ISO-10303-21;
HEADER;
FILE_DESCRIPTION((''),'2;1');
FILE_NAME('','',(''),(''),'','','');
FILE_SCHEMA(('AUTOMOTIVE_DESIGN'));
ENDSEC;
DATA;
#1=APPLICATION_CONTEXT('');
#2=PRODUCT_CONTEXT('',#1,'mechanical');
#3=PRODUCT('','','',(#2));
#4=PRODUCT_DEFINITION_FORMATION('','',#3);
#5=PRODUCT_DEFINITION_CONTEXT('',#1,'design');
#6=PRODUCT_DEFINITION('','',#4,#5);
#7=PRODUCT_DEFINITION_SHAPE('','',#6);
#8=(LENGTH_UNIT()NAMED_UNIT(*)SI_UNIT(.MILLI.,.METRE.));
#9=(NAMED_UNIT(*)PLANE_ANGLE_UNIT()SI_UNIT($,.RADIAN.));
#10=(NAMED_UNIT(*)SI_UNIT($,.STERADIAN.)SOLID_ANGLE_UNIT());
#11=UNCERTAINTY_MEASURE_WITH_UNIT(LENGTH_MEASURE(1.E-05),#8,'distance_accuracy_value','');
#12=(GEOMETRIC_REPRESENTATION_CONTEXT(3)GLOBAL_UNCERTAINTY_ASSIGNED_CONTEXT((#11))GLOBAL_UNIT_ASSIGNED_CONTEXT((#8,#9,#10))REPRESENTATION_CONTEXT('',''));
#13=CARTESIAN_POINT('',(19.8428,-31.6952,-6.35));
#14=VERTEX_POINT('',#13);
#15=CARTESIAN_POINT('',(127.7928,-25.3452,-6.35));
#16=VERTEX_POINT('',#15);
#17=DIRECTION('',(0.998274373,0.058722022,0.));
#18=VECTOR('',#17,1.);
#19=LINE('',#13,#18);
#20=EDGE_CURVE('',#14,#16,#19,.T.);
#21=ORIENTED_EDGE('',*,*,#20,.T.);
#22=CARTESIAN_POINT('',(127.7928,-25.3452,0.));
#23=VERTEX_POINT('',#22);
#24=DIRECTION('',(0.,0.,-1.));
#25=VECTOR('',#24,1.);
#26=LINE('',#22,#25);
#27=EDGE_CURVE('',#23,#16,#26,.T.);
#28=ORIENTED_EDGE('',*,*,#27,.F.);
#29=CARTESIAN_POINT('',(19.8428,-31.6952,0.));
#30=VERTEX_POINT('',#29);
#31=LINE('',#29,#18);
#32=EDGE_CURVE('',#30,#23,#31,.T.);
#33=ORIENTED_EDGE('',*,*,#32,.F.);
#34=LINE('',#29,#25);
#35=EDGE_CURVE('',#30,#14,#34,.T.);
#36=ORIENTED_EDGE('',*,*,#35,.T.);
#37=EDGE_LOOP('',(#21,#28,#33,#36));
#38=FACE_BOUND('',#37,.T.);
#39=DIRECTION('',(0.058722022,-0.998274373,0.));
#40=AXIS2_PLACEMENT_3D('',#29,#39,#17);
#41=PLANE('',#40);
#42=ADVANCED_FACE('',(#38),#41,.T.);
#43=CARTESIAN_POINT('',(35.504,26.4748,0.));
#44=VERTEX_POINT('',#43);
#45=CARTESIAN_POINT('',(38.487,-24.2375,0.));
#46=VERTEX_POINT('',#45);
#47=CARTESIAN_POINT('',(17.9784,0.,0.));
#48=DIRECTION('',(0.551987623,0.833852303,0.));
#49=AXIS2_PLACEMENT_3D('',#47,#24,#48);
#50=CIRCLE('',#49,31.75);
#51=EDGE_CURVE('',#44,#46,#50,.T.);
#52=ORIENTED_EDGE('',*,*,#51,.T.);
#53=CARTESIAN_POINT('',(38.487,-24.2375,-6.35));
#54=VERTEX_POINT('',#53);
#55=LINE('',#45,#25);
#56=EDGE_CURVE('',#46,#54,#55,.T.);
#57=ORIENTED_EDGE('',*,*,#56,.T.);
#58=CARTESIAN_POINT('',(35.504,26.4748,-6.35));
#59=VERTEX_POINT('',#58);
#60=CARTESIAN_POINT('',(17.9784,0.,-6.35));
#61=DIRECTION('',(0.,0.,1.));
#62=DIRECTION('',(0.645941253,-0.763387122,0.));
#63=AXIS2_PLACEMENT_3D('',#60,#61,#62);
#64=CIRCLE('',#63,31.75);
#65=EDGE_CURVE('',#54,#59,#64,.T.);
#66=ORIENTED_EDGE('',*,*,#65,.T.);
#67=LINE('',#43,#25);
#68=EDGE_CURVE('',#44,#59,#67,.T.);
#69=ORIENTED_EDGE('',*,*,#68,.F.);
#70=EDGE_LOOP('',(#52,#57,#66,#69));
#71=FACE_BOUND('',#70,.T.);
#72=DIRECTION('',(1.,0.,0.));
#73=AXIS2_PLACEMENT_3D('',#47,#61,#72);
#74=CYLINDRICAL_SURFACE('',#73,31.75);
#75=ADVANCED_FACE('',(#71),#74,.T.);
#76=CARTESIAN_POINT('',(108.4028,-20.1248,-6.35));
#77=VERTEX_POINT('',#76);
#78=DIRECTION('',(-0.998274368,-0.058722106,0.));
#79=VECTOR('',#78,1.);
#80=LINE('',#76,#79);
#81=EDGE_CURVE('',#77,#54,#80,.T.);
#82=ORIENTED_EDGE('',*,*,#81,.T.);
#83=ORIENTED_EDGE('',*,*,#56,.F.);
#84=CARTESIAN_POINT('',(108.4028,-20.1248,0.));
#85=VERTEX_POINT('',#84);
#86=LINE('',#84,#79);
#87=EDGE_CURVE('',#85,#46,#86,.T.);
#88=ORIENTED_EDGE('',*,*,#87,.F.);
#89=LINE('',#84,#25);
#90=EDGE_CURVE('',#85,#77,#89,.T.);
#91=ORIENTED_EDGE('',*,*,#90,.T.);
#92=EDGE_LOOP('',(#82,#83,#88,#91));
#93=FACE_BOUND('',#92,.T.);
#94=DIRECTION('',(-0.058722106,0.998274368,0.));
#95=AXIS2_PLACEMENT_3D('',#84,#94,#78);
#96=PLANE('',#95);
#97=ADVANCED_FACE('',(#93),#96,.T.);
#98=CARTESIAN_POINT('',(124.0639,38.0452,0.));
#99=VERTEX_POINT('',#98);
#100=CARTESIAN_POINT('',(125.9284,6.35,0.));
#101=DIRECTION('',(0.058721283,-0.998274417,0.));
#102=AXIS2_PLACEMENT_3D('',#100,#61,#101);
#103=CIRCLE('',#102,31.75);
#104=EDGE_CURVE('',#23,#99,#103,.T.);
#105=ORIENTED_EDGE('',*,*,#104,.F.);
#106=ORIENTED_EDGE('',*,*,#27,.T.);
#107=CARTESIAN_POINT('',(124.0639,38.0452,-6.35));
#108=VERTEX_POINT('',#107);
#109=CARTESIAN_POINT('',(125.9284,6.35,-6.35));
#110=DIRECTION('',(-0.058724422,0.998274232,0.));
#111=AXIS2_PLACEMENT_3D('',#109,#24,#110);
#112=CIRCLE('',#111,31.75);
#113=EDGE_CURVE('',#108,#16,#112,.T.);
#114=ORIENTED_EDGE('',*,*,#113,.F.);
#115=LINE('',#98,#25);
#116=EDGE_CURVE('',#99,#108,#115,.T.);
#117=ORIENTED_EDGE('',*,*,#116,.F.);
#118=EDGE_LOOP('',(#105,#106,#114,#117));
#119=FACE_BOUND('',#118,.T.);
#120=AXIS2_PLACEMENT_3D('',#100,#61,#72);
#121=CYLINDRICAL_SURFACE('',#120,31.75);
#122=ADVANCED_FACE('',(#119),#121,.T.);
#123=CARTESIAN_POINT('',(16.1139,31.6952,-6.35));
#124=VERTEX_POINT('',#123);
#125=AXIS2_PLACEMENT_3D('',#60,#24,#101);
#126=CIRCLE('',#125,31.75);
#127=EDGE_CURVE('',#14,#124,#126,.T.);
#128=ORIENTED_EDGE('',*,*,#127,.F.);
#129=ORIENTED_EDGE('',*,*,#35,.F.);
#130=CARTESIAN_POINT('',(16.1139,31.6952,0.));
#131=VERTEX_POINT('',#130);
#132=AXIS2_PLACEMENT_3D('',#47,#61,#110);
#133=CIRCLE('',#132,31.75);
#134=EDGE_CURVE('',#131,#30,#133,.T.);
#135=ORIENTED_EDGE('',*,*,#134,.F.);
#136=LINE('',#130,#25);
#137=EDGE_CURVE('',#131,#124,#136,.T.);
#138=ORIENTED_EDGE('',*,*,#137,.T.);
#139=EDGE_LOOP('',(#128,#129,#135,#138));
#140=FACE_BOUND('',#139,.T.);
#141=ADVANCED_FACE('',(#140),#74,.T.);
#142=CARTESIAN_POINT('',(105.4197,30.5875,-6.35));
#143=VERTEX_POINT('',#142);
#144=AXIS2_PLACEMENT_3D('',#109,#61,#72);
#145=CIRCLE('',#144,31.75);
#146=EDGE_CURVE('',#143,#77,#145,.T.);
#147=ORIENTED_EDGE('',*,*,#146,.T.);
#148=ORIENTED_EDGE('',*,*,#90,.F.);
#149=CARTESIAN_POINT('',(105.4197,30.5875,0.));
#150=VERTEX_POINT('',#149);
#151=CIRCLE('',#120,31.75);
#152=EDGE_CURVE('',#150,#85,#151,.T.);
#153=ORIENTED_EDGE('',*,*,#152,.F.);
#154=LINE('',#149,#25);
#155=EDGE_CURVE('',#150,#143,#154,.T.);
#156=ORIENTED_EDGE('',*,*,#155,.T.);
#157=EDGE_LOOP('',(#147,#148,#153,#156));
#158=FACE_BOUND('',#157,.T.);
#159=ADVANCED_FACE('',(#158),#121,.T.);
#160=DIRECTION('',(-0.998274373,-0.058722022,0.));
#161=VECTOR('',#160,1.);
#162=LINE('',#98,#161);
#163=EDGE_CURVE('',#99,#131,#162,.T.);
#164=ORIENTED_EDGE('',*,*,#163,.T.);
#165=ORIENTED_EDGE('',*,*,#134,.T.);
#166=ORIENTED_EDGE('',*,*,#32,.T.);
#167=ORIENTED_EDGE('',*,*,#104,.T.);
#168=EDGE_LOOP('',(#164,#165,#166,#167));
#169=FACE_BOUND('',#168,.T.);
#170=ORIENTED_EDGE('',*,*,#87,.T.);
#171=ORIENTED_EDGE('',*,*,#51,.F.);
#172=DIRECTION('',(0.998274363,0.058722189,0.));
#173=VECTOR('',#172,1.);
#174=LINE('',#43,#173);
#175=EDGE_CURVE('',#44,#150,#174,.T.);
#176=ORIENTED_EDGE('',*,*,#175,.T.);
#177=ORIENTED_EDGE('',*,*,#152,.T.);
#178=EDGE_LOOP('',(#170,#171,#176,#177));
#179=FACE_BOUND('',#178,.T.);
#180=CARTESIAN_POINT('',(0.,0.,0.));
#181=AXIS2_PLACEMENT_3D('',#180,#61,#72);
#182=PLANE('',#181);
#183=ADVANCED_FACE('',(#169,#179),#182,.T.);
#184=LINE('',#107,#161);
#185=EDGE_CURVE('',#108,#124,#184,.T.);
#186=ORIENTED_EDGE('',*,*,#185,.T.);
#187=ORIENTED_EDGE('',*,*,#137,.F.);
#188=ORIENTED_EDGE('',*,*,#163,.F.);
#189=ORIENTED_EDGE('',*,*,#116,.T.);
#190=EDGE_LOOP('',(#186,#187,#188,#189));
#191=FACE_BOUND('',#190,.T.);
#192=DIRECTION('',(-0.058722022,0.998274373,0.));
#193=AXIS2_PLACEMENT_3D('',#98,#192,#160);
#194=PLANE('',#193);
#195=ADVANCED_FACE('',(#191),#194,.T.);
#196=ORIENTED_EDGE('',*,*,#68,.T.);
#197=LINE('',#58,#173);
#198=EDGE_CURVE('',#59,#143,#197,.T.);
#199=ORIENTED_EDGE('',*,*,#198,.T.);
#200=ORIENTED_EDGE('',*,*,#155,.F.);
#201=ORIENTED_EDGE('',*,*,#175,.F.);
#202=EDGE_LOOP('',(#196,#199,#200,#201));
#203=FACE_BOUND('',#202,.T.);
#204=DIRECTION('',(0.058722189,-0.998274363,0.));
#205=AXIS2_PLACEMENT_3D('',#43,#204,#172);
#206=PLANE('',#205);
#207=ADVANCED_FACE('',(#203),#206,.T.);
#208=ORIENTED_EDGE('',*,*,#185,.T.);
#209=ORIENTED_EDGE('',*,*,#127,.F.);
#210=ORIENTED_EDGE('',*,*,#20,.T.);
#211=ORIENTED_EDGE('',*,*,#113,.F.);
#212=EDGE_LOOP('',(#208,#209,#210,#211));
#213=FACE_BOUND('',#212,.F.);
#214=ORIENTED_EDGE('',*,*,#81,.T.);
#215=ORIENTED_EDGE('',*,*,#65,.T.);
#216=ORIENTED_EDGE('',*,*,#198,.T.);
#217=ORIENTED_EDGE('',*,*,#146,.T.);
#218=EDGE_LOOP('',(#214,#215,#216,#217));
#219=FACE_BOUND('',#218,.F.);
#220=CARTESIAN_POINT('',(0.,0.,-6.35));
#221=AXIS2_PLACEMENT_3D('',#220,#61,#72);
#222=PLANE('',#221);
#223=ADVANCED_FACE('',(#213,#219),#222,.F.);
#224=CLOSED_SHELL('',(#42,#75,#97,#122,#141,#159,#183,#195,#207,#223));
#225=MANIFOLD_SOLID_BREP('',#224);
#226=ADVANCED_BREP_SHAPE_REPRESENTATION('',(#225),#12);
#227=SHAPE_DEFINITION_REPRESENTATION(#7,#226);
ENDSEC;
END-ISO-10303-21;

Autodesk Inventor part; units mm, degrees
ref_plane "YZ Plane" through (0, 0, 0) normal (1, 0, 0) x (0, 1, 0)
ref_plane "XZ Plane" through (0, 0, 0) normal (0, 1, 0) x (-1, 0, 0)
ref_plane "XY Plane" through (0, 0, 0) normal (0, 0, 1) x (1, 0, 0)
sketch "Sketch1" plane through (0, 0, 0) normal (0, 0, 1) x (1, 0, 0)
  circle A0 centre (17.9784, 0) radius 31.75
  circle A1 centre (125.9284, 6.35) radius 31.75
  line L0 (124.0639, 38.0452) -> (16.1139, 31.6952)
  line L1 (19.8428, -31.6952) -> (127.7928, -25.3452)
  line L2 (35.504, 26.4748) -> (105.4197, 30.5875)
  line L3 (108.4028, -20.1248) -> (38.487, -24.2375)
  line L4 (35.504, 26.4748) -> (16.1139, 31.6952)
  line L5 (38.487, -24.2375) -> (17.9784, -31.75)
  line L6 (108.4028, -20.1248) -> (127.7928, -25.3452)
  line L7 (105.4197, 30.5875) -> (124.0639, 38.0452)
  point P0 (0, 0)
  dimension "d0" = 107.95
  dimension "d1" = 6.35
  dimension "d2" = 63.5
  dimension "d3" = 63.5
  dimension "d4" = 6.35
  dimension "d5" = 6.35
extrude "Extrusion1" add sketch "Sketch1" against normal blind 6.35 contours A0 L5 L4 | L4 A0 | A0 L0 A1 L2 | L3 A1 L1 A0 | A0 L5 | L7 A1 L6 | A1 L7 | L6 A1
properties part number "shooterchain"
